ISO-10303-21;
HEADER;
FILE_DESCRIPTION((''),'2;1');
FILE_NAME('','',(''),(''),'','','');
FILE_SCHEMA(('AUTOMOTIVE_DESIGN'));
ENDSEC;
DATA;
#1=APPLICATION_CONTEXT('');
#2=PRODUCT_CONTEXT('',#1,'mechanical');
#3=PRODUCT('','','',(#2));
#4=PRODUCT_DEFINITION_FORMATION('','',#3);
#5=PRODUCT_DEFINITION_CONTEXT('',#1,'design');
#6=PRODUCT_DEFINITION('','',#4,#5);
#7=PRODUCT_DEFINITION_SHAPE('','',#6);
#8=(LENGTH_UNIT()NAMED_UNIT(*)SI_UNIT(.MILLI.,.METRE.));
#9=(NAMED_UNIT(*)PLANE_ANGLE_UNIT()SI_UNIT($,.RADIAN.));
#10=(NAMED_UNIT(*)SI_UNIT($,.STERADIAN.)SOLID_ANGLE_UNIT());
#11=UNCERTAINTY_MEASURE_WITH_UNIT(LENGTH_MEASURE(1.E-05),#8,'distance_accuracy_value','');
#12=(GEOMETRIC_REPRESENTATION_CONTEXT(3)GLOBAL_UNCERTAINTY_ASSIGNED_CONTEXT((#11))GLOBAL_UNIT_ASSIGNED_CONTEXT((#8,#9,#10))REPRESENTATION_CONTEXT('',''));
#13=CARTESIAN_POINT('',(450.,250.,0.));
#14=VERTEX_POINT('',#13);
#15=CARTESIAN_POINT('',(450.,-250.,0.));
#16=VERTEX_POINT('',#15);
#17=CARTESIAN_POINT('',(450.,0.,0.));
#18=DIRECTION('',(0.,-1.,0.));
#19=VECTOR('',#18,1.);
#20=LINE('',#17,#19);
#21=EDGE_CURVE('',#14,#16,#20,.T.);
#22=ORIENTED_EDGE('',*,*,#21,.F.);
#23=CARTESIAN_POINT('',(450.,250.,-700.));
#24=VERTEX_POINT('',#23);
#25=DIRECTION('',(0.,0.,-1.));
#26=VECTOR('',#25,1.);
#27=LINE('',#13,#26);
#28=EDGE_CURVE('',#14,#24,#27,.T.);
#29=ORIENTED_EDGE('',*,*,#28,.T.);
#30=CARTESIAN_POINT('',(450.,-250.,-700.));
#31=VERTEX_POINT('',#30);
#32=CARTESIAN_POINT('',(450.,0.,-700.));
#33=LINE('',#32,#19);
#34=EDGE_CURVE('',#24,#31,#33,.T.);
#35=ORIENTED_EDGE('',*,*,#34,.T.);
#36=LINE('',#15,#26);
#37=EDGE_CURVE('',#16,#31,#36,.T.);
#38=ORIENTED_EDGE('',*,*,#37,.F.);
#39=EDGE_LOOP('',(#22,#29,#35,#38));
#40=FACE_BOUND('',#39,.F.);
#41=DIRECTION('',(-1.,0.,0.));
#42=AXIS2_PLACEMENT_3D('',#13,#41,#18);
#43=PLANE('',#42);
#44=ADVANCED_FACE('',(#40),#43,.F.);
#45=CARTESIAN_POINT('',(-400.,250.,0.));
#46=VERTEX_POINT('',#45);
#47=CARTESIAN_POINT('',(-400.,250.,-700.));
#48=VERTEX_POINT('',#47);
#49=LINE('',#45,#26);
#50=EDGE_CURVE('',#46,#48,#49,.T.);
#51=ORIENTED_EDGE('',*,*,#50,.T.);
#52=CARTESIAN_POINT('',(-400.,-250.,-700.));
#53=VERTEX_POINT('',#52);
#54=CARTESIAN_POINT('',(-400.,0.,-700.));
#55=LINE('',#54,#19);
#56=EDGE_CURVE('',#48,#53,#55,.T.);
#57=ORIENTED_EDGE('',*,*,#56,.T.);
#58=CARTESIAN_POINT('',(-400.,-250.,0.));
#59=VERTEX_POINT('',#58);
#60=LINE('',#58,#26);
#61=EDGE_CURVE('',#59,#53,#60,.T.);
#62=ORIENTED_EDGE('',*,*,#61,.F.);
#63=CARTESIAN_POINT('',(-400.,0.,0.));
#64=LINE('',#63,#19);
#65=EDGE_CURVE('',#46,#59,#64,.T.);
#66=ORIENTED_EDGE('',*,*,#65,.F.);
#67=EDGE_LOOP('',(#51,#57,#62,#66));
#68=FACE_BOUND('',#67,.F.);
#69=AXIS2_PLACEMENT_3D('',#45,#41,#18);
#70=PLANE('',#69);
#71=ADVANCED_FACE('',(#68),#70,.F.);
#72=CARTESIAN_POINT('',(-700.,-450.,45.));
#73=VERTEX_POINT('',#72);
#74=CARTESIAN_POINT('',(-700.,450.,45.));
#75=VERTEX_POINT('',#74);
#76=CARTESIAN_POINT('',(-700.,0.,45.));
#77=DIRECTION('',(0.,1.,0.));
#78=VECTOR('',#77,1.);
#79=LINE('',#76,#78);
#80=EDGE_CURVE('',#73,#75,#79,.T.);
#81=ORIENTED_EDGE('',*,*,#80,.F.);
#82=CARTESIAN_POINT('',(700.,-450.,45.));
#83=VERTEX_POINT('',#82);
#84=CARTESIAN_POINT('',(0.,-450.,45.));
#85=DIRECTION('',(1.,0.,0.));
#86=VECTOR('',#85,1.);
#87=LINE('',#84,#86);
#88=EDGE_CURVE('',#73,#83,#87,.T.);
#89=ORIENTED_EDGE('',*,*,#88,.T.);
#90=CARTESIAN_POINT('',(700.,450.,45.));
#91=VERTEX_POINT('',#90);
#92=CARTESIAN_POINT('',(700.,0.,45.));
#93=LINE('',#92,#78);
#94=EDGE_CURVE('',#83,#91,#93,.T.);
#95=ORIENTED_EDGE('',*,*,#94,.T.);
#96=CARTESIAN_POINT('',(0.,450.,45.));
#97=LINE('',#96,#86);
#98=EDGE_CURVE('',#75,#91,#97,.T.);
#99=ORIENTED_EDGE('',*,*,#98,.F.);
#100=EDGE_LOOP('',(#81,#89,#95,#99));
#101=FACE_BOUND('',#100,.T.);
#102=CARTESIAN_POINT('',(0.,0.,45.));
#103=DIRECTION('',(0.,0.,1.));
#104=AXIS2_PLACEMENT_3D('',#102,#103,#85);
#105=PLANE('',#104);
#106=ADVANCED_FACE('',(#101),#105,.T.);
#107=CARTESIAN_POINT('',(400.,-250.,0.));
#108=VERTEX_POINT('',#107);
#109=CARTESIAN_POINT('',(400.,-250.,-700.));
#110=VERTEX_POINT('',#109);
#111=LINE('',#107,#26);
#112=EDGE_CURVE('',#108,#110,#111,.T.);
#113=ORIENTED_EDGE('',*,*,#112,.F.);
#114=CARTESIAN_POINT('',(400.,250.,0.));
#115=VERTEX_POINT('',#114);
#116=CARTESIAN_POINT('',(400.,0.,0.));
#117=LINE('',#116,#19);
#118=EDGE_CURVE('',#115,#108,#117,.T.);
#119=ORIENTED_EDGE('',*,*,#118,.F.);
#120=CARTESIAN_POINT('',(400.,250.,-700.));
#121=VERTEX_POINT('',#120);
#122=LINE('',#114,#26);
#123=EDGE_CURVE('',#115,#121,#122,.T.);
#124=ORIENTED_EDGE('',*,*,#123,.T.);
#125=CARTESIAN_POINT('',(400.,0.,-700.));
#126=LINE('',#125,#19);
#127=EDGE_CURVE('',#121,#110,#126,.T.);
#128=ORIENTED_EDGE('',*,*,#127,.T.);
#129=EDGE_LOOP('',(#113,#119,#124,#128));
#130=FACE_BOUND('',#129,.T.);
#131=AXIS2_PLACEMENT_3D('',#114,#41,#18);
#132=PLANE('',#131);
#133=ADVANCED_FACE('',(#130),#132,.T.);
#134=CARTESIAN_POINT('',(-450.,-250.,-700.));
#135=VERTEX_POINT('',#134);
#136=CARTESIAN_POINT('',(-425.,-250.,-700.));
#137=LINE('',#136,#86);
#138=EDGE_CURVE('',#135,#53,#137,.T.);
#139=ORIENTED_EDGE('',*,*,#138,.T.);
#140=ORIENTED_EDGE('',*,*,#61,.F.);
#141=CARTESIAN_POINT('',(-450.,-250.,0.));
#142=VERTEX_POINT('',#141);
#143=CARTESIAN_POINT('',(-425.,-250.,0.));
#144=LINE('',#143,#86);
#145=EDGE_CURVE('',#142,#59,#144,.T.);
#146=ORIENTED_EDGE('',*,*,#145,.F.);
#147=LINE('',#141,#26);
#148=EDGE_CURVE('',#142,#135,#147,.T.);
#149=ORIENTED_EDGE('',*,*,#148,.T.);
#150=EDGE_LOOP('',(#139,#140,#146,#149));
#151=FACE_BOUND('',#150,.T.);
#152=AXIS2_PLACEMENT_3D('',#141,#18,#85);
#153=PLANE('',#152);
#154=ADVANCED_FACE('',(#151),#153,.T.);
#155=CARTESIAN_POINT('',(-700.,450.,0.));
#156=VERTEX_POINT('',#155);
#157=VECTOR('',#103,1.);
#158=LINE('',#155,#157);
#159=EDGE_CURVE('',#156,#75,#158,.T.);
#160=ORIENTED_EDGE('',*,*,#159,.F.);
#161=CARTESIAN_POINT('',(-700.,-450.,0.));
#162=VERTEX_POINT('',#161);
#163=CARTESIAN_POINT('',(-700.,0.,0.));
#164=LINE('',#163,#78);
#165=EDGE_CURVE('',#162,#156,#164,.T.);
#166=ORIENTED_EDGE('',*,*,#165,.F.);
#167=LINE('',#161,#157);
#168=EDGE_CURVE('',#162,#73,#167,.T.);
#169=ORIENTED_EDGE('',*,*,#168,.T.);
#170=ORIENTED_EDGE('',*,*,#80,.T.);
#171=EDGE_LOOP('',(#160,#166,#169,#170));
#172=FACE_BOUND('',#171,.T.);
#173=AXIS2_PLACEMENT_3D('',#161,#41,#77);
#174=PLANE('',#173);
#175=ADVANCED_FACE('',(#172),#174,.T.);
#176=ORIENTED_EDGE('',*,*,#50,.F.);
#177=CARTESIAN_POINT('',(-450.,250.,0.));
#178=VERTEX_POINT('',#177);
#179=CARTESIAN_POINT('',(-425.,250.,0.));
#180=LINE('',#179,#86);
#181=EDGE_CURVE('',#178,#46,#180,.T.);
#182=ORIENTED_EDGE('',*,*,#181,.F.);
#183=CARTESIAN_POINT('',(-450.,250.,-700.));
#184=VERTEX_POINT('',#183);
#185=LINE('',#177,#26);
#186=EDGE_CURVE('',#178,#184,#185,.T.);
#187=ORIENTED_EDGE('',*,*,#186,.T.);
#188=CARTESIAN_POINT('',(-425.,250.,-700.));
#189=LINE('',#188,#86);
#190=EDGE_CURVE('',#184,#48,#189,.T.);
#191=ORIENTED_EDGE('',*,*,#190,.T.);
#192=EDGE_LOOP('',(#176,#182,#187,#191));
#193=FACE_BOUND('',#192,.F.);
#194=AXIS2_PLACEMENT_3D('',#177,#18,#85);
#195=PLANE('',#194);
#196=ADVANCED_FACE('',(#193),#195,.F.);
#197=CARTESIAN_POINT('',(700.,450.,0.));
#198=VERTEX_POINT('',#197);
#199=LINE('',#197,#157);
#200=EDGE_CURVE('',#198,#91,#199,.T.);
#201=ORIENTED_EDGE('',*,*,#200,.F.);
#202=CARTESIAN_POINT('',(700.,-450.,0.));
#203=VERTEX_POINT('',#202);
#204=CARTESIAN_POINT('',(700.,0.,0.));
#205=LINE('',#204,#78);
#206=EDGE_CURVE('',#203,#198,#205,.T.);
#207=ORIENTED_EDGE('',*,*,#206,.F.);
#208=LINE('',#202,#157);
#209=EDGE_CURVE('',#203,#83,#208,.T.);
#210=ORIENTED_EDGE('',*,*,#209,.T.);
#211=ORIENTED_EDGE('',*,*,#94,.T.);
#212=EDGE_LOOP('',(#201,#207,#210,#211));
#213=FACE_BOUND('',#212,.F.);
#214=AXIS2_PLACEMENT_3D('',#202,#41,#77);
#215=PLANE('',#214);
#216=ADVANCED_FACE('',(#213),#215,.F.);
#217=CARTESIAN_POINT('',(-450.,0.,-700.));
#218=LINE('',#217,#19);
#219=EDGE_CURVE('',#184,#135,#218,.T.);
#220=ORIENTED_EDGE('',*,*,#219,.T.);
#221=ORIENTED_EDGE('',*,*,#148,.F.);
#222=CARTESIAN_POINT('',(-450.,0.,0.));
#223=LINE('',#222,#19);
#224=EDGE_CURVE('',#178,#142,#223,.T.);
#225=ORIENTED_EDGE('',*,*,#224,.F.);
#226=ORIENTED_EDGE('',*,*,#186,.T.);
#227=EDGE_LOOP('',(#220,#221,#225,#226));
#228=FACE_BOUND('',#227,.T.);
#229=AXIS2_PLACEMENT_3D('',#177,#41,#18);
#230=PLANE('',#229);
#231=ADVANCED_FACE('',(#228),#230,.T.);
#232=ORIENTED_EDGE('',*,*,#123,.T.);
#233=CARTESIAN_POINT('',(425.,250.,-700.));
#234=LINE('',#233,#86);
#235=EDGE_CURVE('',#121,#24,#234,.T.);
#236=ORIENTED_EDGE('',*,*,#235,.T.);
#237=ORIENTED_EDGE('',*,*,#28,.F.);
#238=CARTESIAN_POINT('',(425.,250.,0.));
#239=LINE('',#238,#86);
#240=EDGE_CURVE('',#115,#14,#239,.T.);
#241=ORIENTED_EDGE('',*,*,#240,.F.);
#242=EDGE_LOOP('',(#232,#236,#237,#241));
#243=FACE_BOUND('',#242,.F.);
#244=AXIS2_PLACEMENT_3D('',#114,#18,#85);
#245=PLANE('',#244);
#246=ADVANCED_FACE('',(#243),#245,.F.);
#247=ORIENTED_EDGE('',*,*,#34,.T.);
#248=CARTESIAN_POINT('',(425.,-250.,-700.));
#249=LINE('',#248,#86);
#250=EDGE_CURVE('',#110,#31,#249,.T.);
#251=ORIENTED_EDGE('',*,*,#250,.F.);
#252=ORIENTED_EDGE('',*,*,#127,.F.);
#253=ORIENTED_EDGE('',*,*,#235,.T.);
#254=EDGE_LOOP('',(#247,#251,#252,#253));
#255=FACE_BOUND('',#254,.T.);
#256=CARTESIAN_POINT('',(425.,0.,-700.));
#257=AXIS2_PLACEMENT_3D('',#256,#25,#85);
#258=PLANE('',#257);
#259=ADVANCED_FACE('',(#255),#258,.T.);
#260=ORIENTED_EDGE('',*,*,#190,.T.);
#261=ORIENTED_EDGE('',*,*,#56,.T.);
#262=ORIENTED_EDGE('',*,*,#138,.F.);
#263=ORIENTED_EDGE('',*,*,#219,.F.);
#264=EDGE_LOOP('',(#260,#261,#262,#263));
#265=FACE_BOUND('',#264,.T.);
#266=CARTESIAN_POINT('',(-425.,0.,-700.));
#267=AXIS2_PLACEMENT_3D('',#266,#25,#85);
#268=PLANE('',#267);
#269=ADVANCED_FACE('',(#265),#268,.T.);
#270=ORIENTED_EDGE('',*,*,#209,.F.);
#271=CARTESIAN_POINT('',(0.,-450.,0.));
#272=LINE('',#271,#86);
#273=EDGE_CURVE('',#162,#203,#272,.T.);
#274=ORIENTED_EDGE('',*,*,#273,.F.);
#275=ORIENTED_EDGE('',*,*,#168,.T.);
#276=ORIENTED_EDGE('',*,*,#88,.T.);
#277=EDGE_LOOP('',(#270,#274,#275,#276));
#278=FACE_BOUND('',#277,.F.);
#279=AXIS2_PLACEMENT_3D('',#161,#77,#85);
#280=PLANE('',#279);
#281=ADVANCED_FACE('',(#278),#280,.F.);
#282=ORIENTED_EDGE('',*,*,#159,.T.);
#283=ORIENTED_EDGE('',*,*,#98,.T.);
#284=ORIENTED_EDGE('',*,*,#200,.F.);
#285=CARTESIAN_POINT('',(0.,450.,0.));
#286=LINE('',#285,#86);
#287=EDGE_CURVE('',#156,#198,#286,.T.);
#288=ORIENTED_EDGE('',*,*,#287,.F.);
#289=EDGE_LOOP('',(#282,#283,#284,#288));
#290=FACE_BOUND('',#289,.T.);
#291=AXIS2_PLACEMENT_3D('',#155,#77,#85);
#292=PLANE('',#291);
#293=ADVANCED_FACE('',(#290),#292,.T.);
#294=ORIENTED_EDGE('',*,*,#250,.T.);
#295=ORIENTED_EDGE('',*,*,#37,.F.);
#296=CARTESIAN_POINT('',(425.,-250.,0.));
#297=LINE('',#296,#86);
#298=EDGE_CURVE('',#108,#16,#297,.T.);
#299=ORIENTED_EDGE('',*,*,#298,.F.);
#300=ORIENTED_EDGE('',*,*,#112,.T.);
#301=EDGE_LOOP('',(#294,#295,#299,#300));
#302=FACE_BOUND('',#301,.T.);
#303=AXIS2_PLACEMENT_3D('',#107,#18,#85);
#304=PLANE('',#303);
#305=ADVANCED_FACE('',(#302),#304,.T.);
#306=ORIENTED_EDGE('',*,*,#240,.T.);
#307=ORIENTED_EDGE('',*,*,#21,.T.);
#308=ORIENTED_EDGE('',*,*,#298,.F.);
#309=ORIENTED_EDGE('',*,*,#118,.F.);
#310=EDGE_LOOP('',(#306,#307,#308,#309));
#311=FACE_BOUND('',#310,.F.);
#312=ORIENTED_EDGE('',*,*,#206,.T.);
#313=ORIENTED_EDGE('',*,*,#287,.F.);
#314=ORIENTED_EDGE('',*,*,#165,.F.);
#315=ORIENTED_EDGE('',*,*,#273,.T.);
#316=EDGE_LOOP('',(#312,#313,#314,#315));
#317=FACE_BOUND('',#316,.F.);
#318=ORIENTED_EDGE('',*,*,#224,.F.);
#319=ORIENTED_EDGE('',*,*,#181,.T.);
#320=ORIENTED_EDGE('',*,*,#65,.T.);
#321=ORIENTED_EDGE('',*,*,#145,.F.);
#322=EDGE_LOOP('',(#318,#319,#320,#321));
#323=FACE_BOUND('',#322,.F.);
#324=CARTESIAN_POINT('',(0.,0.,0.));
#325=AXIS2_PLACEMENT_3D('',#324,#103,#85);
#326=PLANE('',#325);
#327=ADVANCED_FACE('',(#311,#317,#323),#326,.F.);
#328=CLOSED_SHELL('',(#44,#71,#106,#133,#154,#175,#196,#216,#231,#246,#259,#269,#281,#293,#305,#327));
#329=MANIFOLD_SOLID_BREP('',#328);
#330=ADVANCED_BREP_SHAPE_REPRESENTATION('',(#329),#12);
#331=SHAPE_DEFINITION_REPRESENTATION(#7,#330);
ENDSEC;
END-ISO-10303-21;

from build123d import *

# Parameters (mm, degrees)
F0_W     = 1400
F0_H     = 900
F1_DEPTH = 45
F2_W     = 50
F2_H     = 500
F3_DEPTH = 700


with BuildPart() as f1:
    # F0 (on Top) → F1 (new body)
    with BuildSketch(Plane.XY):
        Rectangle(F0_W, F0_H)
    extrude(amount=F1_DEPTH)

    # F2 (on face) → F3 (join)
    with BuildSketch(Plane(origin=(0, 0, 0), x_dir=(1, 0, 0), z_dir=(0, 0, -1))):
        with Locations((-425, 0)):
            Rectangle(F2_W, F2_H)
        with Locations((425, 0)):
            Rectangle(F2_W, F2_H)
    extrude(amount=F3_DEPTH)


solid = f1.part
